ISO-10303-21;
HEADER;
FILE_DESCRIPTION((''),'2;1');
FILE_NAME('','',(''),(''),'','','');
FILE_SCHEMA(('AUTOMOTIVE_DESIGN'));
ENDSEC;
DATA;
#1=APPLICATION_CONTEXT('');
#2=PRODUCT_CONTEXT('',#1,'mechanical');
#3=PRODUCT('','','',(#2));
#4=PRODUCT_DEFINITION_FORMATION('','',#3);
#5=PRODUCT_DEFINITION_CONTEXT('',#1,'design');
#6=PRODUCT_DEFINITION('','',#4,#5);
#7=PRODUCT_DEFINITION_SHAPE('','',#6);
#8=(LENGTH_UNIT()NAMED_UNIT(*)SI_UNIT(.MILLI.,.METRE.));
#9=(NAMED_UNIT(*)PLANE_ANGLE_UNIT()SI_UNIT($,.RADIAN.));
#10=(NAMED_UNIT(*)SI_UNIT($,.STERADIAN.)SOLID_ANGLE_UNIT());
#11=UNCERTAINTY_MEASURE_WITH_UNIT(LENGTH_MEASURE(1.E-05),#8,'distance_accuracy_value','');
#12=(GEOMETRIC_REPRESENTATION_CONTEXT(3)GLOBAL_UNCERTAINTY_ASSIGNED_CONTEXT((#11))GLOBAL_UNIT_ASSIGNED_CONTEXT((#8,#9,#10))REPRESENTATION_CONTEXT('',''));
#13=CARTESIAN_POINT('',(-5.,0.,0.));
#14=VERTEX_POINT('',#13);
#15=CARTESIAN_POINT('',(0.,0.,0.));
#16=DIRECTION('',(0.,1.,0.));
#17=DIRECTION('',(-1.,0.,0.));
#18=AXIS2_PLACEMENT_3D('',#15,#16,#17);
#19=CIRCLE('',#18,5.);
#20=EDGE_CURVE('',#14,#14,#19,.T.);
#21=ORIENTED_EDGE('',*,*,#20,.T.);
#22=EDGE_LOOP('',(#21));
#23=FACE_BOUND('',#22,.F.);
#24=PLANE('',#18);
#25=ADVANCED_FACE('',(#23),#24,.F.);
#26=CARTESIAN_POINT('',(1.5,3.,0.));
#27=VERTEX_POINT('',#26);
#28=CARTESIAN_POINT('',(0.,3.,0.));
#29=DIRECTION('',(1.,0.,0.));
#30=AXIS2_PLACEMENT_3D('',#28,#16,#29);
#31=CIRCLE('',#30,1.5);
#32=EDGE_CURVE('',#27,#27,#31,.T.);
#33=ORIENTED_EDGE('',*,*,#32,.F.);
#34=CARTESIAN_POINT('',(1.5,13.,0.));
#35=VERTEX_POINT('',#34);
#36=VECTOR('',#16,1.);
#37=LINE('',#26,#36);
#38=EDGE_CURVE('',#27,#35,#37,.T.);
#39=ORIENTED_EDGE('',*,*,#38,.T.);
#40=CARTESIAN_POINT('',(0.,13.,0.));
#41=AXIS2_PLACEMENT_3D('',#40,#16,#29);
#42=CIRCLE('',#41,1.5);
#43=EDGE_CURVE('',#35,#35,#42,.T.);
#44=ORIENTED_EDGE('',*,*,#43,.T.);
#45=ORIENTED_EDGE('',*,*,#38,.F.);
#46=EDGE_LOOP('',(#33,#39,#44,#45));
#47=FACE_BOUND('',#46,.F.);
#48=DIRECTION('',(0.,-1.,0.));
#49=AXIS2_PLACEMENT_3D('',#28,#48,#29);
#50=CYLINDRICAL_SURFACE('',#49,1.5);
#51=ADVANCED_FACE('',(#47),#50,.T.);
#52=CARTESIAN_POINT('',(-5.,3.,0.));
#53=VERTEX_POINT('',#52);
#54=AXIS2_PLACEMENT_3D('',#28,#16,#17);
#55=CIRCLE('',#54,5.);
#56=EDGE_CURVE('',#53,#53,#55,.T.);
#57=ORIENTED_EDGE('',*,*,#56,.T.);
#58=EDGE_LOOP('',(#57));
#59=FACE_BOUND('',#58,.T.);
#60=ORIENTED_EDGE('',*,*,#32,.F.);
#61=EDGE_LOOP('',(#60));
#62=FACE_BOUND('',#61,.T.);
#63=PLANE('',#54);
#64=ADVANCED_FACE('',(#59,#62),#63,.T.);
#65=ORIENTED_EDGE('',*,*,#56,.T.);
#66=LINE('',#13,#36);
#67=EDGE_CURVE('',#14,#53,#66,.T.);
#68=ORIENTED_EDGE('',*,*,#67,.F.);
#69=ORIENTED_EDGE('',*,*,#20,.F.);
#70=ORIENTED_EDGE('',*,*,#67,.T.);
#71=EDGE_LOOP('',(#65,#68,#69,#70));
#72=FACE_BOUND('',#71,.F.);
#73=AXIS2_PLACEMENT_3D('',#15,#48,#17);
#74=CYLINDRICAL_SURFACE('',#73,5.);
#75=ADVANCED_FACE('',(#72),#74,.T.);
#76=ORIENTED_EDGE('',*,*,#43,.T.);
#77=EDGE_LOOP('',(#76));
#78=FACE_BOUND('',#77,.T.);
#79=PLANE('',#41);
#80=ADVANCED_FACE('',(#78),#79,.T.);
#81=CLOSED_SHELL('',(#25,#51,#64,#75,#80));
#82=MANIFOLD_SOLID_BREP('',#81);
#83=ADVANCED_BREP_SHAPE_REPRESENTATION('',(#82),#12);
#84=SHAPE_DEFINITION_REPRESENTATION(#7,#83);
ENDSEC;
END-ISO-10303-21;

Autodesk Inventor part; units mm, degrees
ref_plane "YZ Plane" through (0, 0, 0) normal (1, 0, 0) x (0, 1, 0)
ref_plane "XZ Plane" through (0, 0, 0) normal (0, 1, 0) x (-1, 0, 0)
ref_plane "XY Plane" through (0, 0, 0) normal (0, 0, 1) x (1, 0, 0)
sketch "Sketch1" plane through (0, 0, 0) normal (0, 1, 0) x (-1, 0, 0)
  circle A0 centre (0, 0) radius 5
  dimension "d0" = 10
extrude "Extrusion1" add sketch "Sketch1" along normal blind 3
sketch "Sketch2" plane through (0, 3, 0) normal (0, 1, 0) x (1, 0, 0)
  circle A0 centre (0, 0) radius 1.5
  dimension "d3" = 3
extrude "Extrusion2" add sketch "Sketch2" along normal blind 10
properties part number "temporary_feet"
